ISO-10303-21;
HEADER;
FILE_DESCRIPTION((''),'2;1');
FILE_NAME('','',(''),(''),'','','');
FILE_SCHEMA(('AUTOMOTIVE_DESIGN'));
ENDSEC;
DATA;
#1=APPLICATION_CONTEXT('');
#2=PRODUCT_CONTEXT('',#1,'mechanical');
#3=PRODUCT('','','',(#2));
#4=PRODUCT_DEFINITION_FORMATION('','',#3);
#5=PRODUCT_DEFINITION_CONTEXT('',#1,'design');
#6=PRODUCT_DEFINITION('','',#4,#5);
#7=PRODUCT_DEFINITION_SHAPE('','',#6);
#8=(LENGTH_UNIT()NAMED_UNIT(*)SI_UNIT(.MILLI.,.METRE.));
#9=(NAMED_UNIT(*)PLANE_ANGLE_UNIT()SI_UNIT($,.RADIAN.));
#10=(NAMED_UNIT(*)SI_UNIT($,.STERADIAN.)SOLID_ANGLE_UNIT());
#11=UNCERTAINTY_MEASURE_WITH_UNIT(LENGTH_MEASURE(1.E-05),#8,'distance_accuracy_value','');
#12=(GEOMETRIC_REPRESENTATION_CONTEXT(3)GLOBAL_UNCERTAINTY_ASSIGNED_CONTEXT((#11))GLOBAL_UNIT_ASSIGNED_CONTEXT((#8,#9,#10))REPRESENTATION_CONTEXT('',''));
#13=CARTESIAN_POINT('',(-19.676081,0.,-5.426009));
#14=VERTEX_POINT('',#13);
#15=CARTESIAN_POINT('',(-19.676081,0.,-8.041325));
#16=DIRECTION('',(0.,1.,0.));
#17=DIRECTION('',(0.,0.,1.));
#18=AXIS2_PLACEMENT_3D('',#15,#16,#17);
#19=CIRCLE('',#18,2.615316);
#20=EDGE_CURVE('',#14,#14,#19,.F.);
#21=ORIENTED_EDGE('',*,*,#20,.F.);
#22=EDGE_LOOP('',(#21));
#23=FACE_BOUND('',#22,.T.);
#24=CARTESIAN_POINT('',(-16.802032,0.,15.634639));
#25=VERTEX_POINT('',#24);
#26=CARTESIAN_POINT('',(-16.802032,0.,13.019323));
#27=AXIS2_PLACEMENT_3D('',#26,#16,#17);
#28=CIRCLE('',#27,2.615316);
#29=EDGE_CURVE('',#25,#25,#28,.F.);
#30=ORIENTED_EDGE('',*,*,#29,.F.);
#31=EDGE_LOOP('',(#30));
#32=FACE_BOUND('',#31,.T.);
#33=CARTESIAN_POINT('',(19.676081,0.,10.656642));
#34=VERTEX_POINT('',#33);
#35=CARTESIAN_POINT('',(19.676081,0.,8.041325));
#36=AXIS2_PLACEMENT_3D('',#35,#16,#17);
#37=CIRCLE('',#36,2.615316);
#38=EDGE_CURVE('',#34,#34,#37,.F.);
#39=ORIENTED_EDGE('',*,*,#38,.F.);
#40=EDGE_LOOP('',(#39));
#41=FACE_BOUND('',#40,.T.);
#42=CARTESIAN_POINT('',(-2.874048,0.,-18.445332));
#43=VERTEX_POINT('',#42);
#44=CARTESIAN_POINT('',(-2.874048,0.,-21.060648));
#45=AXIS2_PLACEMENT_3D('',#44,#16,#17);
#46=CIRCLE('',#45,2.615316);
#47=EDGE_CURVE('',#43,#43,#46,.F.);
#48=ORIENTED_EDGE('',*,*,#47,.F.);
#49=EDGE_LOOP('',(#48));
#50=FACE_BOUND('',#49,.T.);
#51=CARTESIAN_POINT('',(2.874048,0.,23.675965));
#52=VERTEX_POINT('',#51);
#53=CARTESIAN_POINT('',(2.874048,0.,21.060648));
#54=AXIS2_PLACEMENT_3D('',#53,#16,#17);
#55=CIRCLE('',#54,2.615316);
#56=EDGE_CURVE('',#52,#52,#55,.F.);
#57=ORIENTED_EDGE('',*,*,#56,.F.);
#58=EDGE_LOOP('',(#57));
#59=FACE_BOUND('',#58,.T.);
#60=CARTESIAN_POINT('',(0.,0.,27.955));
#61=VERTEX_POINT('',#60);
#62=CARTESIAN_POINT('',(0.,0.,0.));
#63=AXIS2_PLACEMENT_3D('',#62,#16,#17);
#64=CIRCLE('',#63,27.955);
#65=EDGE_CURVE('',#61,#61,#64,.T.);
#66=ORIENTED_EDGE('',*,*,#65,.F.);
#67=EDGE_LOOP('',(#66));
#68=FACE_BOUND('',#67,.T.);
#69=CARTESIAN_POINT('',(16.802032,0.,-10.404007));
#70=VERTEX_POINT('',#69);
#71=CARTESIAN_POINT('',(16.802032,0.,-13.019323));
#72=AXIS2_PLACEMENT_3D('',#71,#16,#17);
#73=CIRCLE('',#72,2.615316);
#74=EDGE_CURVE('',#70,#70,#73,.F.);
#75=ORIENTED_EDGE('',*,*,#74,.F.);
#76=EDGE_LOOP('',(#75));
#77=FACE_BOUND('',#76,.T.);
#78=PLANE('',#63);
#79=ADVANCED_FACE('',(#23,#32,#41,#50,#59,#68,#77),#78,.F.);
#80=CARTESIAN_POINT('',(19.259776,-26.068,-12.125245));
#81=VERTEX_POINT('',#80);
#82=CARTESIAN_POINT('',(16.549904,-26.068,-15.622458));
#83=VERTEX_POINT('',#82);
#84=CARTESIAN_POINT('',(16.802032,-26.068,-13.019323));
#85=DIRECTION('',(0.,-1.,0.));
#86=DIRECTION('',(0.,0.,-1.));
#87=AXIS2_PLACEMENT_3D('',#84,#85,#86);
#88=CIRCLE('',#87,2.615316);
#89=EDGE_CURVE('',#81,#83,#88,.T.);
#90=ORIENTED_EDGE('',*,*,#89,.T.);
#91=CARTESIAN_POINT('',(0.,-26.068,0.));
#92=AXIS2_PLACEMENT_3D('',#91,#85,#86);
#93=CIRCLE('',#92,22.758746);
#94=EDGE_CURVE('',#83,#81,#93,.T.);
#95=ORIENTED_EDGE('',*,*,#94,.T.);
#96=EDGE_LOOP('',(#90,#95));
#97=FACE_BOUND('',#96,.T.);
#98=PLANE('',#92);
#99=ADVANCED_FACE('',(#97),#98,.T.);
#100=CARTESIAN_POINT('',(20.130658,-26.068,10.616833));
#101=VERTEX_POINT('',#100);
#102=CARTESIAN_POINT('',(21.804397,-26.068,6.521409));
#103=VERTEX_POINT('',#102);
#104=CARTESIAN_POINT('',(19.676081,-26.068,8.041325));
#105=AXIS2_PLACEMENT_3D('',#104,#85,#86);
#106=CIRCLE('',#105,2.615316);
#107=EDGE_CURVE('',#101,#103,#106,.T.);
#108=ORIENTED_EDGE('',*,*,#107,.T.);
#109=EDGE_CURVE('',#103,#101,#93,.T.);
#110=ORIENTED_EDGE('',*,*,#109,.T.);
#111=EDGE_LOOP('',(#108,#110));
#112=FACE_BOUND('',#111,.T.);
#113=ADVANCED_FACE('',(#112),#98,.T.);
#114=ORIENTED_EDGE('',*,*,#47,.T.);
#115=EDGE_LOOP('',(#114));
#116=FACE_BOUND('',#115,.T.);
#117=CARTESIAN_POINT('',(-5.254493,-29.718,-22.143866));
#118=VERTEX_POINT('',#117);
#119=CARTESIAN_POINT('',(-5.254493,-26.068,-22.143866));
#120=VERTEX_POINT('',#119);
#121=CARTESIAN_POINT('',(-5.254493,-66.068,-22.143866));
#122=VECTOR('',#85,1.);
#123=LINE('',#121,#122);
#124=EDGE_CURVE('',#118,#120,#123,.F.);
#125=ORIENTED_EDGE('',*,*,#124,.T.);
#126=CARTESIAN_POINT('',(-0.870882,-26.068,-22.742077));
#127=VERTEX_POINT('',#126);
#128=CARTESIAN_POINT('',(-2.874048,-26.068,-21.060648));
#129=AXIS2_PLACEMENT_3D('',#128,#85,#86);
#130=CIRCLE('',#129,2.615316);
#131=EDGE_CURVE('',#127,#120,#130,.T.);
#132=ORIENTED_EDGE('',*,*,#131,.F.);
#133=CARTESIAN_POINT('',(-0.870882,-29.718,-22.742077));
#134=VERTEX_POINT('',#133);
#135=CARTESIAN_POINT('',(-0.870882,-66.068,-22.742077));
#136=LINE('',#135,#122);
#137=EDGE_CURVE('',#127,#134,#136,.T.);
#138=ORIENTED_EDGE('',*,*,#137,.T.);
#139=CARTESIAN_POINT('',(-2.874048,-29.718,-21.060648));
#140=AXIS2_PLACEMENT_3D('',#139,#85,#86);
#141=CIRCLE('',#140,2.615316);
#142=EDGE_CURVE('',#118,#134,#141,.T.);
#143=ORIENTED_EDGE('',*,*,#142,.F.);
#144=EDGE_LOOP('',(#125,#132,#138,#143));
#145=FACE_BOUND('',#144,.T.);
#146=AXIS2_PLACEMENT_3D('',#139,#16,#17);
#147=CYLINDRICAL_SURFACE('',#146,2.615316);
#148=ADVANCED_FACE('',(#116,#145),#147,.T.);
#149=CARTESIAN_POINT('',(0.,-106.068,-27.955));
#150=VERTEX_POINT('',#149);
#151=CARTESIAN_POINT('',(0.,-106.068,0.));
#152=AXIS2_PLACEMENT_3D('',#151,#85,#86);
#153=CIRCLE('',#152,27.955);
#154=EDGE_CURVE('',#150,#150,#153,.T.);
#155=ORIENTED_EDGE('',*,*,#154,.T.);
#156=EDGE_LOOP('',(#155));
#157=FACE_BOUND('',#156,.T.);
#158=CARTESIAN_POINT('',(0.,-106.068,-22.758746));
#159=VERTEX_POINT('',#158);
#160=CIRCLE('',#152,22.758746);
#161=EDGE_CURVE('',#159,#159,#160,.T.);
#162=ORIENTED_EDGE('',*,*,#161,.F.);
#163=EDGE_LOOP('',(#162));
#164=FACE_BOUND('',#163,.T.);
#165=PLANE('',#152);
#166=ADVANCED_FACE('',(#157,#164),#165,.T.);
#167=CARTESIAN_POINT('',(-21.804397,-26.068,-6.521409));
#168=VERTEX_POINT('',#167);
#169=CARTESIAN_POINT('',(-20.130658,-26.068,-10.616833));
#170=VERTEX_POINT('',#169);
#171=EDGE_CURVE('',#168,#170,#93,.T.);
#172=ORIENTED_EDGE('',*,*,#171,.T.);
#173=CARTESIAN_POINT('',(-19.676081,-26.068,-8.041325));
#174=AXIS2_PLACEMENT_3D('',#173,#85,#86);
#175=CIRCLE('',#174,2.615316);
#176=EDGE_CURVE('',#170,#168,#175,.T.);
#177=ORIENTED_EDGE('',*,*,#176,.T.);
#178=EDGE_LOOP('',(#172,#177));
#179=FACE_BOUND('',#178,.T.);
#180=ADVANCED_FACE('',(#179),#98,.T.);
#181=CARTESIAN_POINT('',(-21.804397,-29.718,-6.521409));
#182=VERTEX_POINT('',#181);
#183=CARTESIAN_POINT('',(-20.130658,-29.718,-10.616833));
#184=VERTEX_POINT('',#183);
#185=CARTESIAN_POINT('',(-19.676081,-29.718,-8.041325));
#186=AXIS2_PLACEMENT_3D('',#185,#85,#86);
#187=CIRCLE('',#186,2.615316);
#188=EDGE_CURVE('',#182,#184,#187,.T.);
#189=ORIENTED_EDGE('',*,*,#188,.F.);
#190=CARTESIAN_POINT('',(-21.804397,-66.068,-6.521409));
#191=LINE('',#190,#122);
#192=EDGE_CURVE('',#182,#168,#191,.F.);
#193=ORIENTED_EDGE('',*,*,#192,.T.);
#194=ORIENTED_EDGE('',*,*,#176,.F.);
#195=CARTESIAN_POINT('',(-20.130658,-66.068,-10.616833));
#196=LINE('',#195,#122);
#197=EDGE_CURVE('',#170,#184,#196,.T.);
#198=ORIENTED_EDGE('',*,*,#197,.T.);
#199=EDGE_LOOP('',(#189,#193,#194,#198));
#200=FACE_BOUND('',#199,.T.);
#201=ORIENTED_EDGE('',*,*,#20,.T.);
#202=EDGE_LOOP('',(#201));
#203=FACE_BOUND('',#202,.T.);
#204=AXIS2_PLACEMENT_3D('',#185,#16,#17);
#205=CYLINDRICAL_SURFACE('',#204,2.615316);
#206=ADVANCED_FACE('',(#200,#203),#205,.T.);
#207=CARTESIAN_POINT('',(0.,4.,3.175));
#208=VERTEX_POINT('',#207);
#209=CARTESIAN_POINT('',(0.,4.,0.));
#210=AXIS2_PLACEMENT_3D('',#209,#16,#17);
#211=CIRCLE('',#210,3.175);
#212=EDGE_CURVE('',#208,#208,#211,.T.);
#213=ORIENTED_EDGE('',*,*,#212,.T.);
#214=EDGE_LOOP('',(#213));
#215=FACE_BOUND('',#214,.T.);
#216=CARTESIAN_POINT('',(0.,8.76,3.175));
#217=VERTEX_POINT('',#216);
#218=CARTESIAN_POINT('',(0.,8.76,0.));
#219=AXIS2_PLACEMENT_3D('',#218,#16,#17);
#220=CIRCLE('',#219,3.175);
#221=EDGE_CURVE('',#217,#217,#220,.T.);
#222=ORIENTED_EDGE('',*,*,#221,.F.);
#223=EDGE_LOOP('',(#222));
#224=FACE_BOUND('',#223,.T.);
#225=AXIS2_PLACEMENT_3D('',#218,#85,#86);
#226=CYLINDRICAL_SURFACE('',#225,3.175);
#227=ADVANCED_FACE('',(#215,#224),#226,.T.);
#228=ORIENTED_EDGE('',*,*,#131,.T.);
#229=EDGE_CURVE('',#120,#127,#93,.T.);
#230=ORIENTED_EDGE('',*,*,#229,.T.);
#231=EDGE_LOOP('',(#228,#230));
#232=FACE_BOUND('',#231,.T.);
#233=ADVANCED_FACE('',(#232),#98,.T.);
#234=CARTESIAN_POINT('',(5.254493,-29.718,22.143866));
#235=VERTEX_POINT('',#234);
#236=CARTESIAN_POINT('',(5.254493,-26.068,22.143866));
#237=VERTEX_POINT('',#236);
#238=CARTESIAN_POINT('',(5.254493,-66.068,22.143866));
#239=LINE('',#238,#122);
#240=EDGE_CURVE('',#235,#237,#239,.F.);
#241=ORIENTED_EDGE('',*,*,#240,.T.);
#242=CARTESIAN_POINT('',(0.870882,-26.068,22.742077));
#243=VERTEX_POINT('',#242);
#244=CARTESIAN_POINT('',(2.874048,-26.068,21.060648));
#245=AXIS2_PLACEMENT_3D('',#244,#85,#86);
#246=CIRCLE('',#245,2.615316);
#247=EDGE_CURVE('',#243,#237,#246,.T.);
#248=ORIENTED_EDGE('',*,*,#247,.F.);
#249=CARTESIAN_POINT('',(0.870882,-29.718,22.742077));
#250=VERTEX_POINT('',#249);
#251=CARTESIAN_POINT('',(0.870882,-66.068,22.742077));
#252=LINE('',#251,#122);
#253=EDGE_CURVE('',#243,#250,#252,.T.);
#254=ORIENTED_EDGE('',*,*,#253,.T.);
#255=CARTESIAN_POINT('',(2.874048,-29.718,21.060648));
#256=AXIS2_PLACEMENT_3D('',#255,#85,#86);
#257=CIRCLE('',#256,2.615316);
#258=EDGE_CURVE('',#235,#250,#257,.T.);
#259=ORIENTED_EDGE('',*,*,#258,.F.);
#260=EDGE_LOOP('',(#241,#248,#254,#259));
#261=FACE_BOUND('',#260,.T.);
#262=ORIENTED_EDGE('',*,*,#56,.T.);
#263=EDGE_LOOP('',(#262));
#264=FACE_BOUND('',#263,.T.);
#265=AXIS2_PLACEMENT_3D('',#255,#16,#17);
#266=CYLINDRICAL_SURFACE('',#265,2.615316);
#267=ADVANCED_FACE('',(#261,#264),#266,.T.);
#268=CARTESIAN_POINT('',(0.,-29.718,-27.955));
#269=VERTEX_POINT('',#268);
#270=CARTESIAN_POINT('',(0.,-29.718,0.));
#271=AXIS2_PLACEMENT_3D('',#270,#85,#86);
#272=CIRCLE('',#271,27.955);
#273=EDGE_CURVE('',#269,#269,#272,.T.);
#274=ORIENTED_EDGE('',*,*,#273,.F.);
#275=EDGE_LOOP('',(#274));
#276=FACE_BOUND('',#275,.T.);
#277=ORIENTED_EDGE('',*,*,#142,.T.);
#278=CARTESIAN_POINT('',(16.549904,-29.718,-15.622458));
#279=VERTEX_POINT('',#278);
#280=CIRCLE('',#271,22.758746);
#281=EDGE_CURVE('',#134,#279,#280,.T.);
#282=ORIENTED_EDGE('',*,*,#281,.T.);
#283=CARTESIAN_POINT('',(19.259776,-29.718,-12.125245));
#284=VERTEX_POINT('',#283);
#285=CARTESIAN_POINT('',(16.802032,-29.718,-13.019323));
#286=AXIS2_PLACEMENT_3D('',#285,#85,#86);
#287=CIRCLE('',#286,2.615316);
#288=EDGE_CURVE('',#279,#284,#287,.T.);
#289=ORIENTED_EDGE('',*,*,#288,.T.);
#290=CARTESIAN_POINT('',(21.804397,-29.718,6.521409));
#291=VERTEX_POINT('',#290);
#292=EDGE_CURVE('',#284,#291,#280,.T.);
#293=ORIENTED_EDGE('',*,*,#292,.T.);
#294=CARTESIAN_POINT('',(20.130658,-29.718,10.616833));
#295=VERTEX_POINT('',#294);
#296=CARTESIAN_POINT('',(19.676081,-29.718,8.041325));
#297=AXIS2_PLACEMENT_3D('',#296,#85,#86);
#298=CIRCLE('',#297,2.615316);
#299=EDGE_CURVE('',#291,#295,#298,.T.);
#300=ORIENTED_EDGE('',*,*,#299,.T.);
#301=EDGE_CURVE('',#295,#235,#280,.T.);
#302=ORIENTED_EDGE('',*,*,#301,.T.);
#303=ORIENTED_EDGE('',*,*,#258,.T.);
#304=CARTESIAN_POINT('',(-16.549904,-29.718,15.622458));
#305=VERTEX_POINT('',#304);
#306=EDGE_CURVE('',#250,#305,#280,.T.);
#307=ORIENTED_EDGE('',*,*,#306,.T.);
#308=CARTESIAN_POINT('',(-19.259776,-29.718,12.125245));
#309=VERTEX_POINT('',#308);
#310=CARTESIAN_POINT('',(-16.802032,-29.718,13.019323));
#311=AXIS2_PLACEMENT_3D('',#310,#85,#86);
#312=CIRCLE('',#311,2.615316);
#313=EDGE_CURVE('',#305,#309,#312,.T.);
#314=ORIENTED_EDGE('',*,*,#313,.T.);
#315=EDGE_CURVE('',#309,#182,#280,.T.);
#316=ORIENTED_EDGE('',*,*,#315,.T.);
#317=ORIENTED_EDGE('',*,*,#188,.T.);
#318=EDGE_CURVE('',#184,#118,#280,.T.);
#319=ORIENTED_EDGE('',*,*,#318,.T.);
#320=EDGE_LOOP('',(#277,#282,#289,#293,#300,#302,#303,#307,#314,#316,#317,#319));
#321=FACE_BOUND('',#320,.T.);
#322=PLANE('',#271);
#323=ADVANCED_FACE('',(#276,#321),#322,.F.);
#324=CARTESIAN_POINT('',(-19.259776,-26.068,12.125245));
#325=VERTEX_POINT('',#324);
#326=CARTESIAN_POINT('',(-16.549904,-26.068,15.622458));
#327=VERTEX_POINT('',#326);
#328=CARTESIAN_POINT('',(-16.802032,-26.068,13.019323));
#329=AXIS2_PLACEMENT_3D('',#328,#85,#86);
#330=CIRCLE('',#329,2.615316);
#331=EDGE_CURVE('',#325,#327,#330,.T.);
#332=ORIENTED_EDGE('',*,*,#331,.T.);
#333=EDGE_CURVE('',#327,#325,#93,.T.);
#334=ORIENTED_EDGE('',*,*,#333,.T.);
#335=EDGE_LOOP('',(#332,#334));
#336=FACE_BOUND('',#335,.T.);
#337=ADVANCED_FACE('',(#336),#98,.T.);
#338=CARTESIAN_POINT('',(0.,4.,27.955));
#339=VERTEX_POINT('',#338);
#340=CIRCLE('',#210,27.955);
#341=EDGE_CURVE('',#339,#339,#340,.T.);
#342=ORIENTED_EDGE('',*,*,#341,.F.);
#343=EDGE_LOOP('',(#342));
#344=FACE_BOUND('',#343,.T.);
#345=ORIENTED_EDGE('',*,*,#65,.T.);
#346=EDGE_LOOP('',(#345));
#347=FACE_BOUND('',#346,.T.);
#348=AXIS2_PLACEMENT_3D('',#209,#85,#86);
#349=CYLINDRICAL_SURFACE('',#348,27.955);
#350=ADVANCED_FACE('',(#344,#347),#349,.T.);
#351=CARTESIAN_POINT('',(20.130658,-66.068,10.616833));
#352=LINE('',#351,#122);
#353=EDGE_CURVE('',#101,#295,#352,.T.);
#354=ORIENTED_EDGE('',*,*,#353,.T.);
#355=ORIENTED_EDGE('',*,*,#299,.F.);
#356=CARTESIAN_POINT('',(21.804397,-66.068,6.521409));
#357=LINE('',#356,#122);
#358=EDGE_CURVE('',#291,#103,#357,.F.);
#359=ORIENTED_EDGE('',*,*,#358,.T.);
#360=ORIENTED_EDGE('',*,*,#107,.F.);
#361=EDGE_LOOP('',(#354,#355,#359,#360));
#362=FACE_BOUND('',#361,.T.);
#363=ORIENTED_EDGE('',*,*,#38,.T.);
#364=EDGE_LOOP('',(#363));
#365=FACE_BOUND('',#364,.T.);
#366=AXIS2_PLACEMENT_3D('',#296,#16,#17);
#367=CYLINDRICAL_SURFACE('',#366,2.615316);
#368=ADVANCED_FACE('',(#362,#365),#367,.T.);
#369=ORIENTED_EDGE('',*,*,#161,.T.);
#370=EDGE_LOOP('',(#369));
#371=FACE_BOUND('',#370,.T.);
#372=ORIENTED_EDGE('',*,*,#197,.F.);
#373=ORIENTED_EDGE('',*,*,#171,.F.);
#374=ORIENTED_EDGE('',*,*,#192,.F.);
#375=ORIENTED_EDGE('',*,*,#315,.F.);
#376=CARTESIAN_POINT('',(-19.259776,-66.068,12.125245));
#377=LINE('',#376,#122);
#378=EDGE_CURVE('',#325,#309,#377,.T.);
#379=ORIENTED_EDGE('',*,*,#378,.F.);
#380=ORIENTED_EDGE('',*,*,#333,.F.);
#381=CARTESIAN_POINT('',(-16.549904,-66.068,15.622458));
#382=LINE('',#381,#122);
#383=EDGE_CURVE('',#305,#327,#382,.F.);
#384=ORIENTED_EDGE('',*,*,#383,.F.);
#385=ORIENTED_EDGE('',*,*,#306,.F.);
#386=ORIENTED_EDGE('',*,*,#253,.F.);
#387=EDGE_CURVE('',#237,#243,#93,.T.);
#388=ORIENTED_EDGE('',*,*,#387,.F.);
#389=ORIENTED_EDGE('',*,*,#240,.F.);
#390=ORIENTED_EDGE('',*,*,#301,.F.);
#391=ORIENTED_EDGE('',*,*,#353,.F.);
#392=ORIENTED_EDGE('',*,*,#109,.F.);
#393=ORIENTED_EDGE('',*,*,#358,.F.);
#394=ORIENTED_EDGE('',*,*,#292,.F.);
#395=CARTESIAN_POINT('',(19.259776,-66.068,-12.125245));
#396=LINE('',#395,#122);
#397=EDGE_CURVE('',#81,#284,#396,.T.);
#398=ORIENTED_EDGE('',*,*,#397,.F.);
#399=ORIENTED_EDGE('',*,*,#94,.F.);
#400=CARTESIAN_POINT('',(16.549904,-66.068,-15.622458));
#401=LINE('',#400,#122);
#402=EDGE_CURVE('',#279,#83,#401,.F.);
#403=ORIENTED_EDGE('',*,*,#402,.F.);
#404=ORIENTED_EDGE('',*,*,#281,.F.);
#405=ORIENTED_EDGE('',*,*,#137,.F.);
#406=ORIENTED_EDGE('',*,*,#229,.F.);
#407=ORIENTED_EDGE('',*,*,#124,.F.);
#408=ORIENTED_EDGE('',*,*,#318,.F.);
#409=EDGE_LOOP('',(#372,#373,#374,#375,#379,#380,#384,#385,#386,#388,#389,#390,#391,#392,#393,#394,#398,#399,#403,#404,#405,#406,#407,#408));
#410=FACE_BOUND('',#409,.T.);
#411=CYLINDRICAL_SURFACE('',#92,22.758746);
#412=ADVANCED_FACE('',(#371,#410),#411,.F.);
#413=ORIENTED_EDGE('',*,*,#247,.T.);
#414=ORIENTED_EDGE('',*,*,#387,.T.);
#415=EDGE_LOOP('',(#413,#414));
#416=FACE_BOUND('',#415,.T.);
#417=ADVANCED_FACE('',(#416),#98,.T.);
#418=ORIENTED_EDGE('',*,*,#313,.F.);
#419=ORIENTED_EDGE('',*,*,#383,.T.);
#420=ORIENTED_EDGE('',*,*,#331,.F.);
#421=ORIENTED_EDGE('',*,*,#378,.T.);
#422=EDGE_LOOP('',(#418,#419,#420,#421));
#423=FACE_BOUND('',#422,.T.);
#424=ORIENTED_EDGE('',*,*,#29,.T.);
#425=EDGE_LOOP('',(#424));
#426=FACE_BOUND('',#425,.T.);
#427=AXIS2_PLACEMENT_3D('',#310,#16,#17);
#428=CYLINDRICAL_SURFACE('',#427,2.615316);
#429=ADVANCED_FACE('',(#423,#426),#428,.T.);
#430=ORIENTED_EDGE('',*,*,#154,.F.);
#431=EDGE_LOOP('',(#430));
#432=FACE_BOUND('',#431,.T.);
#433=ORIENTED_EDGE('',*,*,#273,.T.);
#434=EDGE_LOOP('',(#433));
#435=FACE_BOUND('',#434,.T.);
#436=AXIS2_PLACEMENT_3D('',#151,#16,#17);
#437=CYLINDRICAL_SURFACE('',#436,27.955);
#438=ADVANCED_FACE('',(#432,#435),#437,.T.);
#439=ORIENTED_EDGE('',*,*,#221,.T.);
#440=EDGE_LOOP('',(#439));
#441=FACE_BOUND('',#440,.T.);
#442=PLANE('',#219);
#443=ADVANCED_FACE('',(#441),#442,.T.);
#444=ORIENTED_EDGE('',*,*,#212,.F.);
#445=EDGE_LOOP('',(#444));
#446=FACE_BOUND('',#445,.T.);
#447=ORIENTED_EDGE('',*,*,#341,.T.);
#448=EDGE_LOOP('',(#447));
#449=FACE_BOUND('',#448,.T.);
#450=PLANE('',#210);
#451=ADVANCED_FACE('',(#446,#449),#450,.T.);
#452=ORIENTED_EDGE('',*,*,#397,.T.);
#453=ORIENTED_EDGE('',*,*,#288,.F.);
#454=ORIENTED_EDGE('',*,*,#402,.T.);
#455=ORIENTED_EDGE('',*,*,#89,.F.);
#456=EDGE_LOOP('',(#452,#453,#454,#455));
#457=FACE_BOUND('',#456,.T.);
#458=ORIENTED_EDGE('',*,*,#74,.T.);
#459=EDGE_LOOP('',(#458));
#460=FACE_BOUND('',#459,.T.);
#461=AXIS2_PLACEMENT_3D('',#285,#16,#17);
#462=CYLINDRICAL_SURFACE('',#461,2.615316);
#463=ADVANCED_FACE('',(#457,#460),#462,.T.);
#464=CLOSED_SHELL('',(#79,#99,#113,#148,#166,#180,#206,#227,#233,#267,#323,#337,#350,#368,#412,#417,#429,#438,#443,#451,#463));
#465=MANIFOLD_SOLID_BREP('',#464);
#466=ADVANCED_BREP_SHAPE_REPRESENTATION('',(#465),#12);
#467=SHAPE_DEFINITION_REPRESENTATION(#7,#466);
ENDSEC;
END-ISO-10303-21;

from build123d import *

# Parameters (mm, degrees)
SKETCH1_R           = 27.955
BOSS_EXTRUDE1_DEPTH = 4
SKETCH2_R           = 3.175
BOSS_EXTRUDE2_DEPTH = 4.76
SKETCH3_R           = 2.615316251
BOSS_EXTRUDE3_DEPTH = 29.718
SKETCH4_R           = 27.955
BOSS_EXTRUDE4_DEPTH = 76.35
SKETCH5_R           = 22.758745994
CUT_EXTRUDE1_DEPTH  = 80


with BuildPart() as part:
    # Sketch1 → Boss-Extrude1 (new body)
    with BuildSketch(Plane(origin=(0, 0, 0), x_dir=(1, 0, 0), z_dir=(0, 1, 0))):
        Circle(SKETCH1_R)
    extrude(amount=BOSS_EXTRUDE1_DEPTH)

    # Sketch2 → Boss-Extrude2 (add)
    with BuildSketch(Plane(origin=(0, 4, 0), x_dir=(1, 0, 0), z_dir=(0, 1, 0))):
        Circle(SKETCH2_R)
    extrude(amount=BOSS_EXTRUDE2_DEPTH)

    # Sketch3 → Boss-Extrude3 (add)
    with BuildSketch(Plane.XZ):
        with Locations((2.874048201, 21.060648295)):
            Circle(SKETCH3_R)
        with Locations((19.676080545, 8.041325394)):
            Circle(SKETCH3_R)
        with Locations((16.802032343, -13.019322902)):
            Circle(SKETCH3_R)
        with Locations((-2.874048201, -21.060648295)):
            Circle(SKETCH3_R)
        with Locations((-19.676080545, -8.041325394)):
            Circle(SKETCH3_R)
        with Locations((-16.802032343, 13.019322902)):
            Circle(SKETCH3_R)
    extrude(amount=BOSS_EXTRUDE3_DEPTH)

    # Sketch4 → Boss-Extrude4 (add)
    with BuildSketch(Plane.XZ.offset(29.718)):
        Circle(SKETCH4_R)
    extrude(amount=BOSS_EXTRUDE4_DEPTH)

    # Sketch5 → Cut-Extrude1 (cut)
    with BuildSketch(Plane.XZ.offset(106.068)):
        Circle(SKETCH5_R)
    extrude(amount=-CUT_EXTRUDE1_DEPTH, mode=Mode.SUBTRACT)


solid = part.part
